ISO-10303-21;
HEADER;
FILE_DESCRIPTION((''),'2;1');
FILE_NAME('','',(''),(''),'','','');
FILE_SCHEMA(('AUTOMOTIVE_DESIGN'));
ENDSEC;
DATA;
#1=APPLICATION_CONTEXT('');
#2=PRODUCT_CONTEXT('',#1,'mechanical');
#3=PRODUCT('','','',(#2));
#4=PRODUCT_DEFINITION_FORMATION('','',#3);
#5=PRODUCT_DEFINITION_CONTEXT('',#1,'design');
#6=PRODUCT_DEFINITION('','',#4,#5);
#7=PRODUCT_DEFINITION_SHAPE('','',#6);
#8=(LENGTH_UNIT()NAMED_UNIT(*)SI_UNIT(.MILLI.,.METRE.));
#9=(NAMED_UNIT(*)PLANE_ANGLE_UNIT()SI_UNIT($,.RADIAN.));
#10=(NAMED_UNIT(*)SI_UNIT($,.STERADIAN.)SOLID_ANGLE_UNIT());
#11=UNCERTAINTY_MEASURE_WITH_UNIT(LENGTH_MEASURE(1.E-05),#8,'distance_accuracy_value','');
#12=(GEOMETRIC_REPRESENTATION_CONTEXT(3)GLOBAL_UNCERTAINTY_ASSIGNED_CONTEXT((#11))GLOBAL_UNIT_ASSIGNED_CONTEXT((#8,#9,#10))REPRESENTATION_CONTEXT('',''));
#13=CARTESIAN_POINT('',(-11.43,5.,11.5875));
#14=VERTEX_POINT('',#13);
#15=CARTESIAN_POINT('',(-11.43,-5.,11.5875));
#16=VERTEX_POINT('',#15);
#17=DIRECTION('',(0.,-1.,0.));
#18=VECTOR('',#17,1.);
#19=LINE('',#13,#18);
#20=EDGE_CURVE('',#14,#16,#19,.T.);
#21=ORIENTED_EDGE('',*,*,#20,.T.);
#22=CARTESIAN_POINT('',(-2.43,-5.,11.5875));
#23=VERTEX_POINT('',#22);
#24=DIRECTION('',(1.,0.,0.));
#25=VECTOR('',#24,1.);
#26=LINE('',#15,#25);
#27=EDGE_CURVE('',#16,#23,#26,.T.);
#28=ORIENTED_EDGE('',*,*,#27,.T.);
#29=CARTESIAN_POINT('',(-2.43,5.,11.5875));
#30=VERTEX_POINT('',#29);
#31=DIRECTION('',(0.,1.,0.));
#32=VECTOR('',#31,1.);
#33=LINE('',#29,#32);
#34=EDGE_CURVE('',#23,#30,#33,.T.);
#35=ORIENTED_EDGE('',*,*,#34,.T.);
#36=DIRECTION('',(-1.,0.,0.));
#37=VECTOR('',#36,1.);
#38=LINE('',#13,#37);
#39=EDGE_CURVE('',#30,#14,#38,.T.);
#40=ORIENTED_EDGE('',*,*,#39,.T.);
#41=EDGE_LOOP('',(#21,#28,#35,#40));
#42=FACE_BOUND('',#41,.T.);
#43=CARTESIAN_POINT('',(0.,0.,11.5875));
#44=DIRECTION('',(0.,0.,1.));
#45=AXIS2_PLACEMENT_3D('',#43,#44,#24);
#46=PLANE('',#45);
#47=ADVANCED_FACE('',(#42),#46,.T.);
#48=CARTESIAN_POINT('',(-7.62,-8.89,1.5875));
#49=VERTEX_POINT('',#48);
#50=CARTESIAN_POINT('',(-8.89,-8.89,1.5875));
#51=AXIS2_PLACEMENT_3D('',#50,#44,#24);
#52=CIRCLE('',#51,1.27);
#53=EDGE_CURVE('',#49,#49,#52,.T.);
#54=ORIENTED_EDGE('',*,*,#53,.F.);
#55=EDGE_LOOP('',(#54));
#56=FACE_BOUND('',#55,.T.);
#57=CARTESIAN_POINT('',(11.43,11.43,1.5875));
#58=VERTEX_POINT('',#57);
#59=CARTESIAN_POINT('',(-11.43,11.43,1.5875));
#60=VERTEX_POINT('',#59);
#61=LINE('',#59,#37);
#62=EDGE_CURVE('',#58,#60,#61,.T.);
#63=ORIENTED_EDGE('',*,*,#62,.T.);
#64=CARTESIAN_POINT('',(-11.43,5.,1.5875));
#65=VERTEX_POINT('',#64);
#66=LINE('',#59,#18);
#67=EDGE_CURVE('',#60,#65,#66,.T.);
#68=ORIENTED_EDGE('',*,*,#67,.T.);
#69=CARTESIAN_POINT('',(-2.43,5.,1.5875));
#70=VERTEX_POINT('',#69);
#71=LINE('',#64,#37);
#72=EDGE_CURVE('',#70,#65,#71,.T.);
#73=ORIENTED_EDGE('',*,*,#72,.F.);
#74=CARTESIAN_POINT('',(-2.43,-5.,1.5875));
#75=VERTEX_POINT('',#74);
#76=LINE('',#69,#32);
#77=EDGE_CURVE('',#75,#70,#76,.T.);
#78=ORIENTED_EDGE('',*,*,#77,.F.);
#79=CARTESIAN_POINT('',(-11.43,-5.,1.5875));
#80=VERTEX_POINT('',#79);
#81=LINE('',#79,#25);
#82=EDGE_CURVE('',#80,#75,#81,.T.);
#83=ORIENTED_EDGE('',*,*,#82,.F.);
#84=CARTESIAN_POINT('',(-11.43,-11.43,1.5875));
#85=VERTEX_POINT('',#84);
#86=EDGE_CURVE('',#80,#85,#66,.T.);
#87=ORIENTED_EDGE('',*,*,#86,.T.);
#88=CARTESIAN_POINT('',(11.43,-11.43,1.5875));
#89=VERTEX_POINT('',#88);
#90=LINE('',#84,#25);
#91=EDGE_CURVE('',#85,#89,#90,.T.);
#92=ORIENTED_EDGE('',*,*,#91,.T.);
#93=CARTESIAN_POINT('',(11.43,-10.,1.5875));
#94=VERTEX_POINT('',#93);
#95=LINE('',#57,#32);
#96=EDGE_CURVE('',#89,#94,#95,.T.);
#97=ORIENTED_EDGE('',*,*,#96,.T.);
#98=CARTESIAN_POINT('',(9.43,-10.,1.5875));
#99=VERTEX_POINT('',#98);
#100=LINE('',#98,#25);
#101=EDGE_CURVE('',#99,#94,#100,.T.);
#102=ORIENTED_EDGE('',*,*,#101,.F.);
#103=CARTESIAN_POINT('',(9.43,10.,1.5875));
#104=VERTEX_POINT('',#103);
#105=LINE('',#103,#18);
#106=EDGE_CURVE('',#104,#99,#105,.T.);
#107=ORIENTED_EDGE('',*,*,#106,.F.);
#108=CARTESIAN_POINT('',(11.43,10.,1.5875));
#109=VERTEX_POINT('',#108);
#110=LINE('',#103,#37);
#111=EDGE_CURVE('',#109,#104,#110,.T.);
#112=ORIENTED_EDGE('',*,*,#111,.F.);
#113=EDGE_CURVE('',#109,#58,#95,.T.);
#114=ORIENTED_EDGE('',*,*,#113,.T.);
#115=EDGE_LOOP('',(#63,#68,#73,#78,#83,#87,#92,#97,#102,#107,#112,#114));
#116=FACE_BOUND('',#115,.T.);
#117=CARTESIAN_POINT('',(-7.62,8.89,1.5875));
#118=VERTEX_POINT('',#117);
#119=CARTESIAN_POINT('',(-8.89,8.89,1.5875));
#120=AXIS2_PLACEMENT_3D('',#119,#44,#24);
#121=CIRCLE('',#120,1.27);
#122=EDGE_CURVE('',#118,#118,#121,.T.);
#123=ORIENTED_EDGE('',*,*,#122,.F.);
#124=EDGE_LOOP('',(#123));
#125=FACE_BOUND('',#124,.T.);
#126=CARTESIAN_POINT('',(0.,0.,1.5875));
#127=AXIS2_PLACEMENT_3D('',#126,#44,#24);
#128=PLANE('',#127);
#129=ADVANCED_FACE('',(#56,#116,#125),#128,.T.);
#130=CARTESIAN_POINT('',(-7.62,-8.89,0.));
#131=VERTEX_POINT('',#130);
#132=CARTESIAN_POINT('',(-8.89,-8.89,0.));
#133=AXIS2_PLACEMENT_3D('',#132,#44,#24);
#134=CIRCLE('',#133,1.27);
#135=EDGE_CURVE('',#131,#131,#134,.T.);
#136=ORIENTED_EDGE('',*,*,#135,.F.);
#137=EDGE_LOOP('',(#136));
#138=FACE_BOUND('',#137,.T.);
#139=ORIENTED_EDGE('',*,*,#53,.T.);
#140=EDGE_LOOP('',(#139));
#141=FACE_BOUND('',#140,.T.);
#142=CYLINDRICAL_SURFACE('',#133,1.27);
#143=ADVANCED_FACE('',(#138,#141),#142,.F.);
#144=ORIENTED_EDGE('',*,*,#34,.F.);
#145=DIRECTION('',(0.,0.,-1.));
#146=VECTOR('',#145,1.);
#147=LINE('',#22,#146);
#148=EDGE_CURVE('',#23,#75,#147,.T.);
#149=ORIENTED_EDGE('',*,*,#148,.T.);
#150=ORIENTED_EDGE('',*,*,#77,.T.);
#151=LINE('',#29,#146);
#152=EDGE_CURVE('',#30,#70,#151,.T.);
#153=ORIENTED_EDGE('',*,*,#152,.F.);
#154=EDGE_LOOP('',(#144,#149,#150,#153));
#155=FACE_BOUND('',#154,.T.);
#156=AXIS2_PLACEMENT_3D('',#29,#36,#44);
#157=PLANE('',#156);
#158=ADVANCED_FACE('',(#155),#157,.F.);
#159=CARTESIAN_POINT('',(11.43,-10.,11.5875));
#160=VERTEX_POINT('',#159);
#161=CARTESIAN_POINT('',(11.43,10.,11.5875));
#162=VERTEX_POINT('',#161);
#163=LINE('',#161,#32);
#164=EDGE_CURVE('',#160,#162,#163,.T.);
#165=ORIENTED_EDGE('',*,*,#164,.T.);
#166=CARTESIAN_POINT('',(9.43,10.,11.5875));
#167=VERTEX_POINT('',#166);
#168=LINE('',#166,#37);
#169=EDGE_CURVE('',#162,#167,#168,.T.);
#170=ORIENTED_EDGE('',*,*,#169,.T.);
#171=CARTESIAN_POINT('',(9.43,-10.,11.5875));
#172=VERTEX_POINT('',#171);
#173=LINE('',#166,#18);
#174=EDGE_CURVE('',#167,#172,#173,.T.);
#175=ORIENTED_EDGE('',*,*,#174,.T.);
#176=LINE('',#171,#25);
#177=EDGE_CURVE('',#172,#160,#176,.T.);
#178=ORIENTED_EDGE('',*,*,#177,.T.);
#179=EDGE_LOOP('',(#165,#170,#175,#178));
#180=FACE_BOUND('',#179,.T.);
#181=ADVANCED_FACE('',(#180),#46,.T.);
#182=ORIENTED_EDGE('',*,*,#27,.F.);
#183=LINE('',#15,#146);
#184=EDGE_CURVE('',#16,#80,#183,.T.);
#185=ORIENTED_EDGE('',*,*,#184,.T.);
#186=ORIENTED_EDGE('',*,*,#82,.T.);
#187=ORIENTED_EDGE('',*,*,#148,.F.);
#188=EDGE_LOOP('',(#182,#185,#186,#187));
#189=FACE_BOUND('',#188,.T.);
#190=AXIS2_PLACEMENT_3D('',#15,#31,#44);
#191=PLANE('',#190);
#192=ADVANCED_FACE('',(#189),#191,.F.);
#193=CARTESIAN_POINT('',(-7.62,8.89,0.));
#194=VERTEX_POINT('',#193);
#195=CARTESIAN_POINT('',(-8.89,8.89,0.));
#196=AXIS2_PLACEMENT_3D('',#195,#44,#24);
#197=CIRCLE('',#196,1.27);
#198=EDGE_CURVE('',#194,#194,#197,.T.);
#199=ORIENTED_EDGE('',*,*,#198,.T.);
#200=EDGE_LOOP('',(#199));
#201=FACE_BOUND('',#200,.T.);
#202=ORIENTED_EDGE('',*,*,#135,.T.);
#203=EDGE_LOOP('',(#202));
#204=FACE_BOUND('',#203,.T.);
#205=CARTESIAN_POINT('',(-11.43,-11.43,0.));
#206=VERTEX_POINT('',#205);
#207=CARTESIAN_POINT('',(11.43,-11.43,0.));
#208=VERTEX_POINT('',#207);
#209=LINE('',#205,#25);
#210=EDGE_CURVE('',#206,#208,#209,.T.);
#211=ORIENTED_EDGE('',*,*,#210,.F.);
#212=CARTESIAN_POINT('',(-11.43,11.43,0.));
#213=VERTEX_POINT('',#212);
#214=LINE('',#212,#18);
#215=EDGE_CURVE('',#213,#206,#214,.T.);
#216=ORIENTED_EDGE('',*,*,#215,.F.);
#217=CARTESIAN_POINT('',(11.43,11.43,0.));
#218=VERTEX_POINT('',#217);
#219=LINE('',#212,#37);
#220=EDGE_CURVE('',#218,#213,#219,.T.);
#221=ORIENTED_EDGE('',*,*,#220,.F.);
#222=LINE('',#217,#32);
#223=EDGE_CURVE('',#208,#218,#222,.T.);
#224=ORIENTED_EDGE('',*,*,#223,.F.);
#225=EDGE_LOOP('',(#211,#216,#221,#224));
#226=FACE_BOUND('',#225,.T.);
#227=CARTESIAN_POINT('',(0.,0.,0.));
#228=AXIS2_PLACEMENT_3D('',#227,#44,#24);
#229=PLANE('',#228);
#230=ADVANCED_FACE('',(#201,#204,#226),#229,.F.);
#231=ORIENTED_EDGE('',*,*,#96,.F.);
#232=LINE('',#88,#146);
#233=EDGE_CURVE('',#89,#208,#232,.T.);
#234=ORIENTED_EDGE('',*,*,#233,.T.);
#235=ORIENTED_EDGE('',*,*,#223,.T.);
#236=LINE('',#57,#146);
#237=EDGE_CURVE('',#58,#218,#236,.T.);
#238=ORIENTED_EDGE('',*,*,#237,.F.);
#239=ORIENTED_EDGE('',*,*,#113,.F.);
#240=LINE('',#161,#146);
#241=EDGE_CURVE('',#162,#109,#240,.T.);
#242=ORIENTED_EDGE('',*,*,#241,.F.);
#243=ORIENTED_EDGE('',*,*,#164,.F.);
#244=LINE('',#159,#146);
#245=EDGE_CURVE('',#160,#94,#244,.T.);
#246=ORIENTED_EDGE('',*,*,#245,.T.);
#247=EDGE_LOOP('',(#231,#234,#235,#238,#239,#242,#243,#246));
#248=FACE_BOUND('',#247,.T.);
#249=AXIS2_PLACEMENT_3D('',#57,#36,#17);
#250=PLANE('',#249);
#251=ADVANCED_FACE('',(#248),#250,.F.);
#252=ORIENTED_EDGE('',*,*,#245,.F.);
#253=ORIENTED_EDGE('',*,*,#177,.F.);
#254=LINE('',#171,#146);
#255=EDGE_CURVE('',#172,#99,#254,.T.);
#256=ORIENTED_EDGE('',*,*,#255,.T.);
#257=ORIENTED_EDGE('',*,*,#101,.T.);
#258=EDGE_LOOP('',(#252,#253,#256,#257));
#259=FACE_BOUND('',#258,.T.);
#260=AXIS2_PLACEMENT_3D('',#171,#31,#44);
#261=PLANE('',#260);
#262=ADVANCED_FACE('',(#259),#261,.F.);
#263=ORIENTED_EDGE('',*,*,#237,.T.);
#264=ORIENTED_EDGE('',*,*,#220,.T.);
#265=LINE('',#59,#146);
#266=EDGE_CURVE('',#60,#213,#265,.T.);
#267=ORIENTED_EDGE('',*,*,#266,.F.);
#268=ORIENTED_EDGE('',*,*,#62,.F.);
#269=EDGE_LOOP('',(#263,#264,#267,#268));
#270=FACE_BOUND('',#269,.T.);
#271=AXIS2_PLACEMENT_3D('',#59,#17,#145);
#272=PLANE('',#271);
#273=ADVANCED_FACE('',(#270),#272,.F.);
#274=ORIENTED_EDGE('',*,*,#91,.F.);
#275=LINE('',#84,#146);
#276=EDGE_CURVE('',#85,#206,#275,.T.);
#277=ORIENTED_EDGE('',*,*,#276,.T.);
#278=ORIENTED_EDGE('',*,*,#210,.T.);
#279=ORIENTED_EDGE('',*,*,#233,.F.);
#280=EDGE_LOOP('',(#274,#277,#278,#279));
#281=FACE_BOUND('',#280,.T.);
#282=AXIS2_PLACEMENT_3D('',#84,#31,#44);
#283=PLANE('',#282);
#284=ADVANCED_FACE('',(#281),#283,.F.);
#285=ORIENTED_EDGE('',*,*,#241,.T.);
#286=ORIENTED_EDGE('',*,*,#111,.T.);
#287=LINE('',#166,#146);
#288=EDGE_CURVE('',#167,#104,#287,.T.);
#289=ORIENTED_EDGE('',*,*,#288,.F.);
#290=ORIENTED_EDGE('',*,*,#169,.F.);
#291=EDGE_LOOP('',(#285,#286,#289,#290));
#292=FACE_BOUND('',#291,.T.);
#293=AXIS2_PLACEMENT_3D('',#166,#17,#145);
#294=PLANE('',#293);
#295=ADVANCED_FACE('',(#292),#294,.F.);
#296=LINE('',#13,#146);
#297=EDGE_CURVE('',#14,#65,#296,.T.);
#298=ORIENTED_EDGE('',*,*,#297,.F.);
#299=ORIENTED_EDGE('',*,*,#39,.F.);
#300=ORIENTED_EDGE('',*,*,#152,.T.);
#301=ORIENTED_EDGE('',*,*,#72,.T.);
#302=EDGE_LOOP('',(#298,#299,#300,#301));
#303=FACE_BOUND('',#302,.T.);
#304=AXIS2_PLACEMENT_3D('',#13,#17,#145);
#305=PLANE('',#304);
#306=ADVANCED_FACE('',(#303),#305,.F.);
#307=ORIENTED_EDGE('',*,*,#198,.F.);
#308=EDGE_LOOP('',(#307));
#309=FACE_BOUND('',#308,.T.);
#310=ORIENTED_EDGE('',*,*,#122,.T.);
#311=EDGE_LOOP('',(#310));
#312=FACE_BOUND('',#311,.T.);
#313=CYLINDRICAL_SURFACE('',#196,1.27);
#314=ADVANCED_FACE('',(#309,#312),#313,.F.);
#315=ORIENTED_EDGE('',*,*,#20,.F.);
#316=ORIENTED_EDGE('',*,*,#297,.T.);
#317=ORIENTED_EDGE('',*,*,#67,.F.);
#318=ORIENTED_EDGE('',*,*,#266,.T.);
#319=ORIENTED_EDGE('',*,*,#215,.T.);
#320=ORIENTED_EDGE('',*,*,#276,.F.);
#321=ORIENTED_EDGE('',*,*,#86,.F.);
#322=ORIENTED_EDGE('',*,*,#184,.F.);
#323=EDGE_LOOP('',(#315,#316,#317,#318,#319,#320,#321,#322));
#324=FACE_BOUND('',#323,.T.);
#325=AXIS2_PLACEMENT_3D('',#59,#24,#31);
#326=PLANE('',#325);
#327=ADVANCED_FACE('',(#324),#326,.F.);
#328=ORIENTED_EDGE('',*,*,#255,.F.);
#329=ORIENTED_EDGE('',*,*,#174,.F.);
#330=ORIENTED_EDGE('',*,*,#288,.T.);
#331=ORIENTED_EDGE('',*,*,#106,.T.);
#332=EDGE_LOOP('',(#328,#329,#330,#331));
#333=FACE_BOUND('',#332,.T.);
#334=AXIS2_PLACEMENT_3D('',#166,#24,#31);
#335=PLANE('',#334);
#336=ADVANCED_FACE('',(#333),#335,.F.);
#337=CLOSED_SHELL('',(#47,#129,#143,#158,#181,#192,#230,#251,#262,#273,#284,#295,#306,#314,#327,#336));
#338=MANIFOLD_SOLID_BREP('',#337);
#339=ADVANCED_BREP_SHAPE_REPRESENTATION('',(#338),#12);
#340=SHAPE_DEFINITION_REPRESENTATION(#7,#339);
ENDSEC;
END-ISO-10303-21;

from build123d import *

# Parameters (mm, degrees)
SKETCH1_W           = 22.86
SKETCH1_H           = 22.86
BOSS_EXTRUDE1_DEPTH = 1.5875
SKETCH2_W           = 9
SKETCH2_H           = 10
BOSS_EXTRUDE2_DEPTH = 10
SKETCH4_W           = 2
SKETCH4_H           = 20
BOSS_EXTRUDE3_DEPTH = 10
SKETCH6_R           = 1.27
CUT_EXTRUDE1_DEPTH  = 20.007624786


with BuildPart() as part:
    # Sketch1 → Boss-Extrude1 (new body)
    with BuildSketch(Plane.XY):
        Rectangle(SKETCH1_W, SKETCH1_H)
    extrude(amount=BOSS_EXTRUDE1_DEPTH)

    # Sketch2 → Boss-Extrude2 (add)
    with BuildSketch(Plane.XY.offset(1.5875)):
        with Locations((-6.93, 0)):
            Rectangle(SKETCH2_W, SKETCH2_H)
    extrude(amount=BOSS_EXTRUDE2_DEPTH)

    # Sketch4 → Boss-Extrude3 (add)
    with BuildSketch(Plane.XY.offset(1.5875)):
        with Locations((10.43, 0)):
            Rectangle(SKETCH4_W, SKETCH4_H)
    extrude(amount=BOSS_EXTRUDE3_DEPTH)

    # Sketch6 → Cut-Extrude1 (cut, through all)
    with BuildSketch(Plane.XY.offset(1.5875)):
        with Locations((-8.89, 8.89)):
            Circle(SKETCH6_R)
        with Locations((-8.89, -8.89)):
            Circle(SKETCH6_R)
    extrude(amount=-CUT_EXTRUDE1_DEPTH, mode=Mode.SUBTRACT)


solid = part.part
